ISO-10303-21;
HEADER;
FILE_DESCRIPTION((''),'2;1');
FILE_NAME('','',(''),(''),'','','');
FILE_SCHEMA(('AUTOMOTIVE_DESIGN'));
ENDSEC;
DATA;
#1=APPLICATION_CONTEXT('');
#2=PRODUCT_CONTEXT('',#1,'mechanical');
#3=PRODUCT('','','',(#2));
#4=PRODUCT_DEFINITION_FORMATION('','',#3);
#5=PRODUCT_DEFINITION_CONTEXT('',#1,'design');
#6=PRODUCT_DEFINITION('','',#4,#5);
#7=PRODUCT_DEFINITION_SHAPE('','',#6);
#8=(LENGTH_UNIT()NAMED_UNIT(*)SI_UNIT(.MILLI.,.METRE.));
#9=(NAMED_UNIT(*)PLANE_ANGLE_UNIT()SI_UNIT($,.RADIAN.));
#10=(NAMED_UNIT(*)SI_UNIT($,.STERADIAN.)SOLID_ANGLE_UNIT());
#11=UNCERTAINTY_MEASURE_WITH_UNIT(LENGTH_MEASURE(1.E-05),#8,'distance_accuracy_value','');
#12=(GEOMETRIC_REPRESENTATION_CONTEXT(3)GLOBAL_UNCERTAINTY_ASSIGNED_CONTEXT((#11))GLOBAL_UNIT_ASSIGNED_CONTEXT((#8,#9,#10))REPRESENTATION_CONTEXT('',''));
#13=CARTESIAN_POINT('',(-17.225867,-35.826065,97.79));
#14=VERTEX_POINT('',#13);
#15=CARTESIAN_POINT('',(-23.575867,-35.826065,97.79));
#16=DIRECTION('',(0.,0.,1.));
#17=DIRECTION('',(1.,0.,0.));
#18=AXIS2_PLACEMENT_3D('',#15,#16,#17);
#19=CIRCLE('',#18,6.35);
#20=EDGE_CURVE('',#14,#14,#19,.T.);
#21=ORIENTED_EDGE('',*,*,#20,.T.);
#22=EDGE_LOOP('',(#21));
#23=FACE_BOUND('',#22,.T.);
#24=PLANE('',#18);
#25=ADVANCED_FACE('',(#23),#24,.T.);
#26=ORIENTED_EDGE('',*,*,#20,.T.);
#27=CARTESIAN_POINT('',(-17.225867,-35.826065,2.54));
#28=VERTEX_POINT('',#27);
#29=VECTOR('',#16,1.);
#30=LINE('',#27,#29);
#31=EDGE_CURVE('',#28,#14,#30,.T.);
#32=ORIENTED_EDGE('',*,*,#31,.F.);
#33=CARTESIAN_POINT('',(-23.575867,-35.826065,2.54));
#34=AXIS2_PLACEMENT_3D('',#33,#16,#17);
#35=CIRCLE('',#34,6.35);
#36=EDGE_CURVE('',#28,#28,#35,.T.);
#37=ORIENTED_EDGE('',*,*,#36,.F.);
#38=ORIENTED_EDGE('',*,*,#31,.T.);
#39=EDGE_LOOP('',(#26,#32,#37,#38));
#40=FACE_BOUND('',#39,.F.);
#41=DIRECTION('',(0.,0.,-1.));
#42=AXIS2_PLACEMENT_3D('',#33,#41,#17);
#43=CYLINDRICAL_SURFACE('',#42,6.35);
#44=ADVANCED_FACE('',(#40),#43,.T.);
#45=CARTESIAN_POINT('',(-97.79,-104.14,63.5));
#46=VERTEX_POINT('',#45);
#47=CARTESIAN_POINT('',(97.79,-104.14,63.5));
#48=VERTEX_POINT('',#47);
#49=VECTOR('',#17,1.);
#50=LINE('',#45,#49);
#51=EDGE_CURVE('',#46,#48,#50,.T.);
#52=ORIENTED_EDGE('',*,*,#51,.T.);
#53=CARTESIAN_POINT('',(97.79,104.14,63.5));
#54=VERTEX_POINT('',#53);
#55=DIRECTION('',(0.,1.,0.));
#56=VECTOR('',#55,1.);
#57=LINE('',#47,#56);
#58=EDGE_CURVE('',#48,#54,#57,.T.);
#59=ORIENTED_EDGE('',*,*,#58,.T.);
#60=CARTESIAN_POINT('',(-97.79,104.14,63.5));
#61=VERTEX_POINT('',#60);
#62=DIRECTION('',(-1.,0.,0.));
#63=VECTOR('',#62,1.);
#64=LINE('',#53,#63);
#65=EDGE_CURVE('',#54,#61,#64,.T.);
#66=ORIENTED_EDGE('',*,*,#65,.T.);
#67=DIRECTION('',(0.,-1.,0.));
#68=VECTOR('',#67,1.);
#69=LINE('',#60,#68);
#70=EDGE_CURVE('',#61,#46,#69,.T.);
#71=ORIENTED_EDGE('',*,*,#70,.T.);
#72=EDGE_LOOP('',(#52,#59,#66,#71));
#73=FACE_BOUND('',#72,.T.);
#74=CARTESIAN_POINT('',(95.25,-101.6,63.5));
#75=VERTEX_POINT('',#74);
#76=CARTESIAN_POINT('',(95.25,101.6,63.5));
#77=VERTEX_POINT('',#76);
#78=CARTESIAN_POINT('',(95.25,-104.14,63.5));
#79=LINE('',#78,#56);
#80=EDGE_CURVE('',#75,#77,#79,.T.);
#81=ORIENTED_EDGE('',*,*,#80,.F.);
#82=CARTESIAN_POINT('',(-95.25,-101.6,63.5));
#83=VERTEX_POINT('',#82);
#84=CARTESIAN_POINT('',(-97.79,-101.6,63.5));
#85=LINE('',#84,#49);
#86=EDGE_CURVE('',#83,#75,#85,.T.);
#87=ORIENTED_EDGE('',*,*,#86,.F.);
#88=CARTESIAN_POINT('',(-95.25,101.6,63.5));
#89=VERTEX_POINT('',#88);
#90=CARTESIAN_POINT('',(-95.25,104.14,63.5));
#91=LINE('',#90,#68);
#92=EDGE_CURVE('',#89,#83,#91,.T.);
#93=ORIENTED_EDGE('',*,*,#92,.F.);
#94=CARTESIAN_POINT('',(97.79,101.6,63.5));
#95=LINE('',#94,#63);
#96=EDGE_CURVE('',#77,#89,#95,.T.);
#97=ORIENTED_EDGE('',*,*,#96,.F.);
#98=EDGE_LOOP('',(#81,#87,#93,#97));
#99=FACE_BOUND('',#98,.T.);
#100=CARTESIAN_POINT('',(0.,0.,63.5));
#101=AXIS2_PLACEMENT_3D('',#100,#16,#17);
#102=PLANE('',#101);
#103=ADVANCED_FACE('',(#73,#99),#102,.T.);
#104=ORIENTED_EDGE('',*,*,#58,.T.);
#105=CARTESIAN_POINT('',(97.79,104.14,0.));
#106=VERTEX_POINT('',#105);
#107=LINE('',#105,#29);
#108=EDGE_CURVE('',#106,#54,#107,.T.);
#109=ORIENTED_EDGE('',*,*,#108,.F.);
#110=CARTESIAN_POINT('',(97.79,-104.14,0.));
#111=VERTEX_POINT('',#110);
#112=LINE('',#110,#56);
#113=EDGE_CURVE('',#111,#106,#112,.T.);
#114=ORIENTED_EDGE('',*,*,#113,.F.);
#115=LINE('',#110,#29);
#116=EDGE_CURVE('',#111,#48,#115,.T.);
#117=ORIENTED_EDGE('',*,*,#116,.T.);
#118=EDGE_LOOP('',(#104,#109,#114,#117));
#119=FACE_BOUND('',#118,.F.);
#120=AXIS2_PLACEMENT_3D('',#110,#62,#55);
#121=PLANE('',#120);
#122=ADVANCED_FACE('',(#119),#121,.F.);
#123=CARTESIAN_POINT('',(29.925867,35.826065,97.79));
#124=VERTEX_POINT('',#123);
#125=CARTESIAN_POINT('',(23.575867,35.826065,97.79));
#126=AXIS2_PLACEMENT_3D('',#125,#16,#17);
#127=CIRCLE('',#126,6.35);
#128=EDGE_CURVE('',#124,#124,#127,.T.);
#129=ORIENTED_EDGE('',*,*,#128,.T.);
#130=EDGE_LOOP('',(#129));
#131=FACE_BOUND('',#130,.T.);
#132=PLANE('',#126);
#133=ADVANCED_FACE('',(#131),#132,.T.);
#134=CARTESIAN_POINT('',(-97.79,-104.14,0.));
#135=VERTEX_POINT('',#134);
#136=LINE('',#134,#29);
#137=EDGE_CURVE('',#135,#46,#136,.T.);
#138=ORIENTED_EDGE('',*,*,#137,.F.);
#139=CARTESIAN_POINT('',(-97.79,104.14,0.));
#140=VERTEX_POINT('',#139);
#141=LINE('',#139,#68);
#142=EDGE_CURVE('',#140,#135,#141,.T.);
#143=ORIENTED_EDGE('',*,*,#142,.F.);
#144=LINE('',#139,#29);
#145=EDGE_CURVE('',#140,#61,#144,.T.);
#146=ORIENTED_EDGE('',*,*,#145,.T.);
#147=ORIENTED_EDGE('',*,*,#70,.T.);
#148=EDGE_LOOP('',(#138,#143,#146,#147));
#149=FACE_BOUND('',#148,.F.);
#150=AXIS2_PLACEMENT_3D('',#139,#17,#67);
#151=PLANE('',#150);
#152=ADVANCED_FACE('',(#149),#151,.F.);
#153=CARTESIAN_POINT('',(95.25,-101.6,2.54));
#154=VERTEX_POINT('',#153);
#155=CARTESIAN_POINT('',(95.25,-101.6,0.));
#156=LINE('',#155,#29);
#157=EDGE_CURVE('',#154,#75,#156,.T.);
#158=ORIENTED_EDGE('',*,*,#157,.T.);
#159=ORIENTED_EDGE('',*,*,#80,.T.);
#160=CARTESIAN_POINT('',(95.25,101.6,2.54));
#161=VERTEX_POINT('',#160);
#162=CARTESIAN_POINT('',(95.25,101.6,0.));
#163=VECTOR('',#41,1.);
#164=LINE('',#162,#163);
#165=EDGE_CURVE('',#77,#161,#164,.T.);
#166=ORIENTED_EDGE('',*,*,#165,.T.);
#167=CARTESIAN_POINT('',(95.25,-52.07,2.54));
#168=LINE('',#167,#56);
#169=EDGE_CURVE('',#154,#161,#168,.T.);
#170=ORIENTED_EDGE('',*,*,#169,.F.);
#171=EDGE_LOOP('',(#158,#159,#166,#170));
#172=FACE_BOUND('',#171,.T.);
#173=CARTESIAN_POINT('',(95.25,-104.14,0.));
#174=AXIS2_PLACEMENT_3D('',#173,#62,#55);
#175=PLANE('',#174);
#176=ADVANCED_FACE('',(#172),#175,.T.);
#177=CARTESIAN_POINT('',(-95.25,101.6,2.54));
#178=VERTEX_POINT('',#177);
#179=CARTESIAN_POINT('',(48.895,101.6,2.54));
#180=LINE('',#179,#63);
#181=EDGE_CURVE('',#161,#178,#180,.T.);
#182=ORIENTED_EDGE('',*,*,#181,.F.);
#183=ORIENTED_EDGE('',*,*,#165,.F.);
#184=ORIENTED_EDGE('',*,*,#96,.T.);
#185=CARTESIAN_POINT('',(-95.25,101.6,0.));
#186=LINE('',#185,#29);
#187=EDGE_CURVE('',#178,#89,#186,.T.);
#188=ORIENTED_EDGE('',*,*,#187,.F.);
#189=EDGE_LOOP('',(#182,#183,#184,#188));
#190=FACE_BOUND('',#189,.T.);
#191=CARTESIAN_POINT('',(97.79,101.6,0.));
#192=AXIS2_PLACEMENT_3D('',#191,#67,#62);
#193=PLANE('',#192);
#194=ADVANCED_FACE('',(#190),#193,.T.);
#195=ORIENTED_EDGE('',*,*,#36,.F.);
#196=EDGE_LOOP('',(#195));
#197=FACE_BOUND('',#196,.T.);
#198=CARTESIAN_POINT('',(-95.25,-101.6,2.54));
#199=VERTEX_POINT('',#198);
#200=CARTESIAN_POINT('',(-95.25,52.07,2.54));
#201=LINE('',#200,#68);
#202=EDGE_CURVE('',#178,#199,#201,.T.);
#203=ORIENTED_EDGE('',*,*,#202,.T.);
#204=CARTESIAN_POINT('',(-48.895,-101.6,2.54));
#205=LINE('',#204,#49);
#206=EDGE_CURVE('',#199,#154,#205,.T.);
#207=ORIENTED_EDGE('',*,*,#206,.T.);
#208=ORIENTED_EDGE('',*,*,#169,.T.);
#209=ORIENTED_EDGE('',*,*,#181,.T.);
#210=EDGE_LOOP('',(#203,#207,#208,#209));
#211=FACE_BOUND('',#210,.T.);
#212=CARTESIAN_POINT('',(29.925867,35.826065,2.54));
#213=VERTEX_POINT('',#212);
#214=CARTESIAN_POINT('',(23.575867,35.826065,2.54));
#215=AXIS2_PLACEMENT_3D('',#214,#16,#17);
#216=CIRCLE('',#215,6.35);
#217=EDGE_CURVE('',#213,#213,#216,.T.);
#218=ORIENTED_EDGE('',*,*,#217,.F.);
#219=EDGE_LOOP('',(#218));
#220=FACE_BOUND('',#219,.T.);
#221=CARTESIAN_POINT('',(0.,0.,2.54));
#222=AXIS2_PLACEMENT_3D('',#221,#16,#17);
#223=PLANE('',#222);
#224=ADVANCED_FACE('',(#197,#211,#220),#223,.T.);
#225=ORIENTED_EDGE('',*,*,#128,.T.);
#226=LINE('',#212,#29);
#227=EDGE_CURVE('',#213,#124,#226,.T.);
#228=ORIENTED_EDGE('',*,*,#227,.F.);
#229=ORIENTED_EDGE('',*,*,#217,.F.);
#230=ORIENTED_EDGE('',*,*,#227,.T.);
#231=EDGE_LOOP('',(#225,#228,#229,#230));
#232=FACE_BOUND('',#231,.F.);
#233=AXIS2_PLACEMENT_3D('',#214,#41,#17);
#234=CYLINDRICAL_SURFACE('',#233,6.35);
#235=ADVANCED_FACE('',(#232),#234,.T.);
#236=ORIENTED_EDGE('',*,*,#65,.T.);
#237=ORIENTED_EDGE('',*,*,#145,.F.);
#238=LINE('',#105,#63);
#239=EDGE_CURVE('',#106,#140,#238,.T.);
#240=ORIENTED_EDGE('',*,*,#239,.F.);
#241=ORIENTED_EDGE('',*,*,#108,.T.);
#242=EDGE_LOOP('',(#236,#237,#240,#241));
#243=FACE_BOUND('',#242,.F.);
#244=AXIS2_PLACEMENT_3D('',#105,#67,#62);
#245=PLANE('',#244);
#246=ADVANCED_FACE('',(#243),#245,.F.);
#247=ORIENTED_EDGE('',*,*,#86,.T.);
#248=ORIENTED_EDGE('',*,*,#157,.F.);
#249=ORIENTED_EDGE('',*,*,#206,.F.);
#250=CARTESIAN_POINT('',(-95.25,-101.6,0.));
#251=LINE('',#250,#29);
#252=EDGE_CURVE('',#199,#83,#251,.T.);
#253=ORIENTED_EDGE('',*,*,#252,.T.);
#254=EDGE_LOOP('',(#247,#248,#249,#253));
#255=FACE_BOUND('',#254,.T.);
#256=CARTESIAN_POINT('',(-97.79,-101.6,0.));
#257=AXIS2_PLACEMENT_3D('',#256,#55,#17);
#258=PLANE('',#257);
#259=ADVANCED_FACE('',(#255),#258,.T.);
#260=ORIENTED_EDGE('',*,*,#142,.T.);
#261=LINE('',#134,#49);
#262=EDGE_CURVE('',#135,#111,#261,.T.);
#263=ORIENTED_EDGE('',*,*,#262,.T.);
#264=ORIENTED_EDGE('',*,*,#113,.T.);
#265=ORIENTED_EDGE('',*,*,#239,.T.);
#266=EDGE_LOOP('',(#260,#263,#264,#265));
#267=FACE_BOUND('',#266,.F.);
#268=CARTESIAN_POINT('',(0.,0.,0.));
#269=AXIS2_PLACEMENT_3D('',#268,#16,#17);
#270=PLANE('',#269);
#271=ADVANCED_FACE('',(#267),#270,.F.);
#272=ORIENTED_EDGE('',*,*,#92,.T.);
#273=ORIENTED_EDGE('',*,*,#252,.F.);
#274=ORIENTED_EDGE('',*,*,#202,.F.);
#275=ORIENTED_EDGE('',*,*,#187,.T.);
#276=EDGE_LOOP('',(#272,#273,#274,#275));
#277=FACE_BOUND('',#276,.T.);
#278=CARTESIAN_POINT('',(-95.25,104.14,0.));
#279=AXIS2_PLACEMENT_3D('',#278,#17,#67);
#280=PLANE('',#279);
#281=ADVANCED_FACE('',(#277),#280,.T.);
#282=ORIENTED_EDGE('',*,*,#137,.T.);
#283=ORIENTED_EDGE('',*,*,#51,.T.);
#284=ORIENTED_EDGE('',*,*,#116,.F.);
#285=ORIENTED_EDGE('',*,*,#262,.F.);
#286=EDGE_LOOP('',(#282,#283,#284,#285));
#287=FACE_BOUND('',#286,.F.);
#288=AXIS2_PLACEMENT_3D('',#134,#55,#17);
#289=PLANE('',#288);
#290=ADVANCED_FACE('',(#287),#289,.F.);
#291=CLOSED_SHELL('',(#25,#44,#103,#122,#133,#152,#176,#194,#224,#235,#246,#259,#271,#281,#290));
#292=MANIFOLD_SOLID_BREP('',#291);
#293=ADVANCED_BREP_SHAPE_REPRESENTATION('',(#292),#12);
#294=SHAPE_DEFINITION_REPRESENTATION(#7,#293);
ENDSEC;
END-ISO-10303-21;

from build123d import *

# Parameters (mm, degrees)
F1_DEPTH = 63.5
F2_T     = -2.54
F3_R     = 6.35
F4_DEPTH = 95.25


with BuildPart() as f1:
    # F0 (on Top) → F1 (new body)
    with BuildSketch(Plane.XY):
        Polygon((97.79, 104.14), (0, 104.14), (-97.79, 104.14), (-97.79, -104.14), (97.79, -104.14), (97.79, 0), align=None)
    extrude(amount=F1_DEPTH)

    # F2
    f2_openings = [f1.faces().sort_by_distance(p)[0] for p in [
        (0, 0, 63.5),
    ]]
    offset(amount=F2_T, openings=f2_openings)

    # F3 (on face) → F4 (join)
    with BuildSketch(Plane.XY.offset(2.54)):
        with Locations((23.5758665949, 35.8260651119)):
            Circle(F3_R)
        with Locations((-23.5758665949, -35.8260651119)):
            Circle(F3_R)
    extrude(amount=F4_DEPTH)


solid = f1.part
